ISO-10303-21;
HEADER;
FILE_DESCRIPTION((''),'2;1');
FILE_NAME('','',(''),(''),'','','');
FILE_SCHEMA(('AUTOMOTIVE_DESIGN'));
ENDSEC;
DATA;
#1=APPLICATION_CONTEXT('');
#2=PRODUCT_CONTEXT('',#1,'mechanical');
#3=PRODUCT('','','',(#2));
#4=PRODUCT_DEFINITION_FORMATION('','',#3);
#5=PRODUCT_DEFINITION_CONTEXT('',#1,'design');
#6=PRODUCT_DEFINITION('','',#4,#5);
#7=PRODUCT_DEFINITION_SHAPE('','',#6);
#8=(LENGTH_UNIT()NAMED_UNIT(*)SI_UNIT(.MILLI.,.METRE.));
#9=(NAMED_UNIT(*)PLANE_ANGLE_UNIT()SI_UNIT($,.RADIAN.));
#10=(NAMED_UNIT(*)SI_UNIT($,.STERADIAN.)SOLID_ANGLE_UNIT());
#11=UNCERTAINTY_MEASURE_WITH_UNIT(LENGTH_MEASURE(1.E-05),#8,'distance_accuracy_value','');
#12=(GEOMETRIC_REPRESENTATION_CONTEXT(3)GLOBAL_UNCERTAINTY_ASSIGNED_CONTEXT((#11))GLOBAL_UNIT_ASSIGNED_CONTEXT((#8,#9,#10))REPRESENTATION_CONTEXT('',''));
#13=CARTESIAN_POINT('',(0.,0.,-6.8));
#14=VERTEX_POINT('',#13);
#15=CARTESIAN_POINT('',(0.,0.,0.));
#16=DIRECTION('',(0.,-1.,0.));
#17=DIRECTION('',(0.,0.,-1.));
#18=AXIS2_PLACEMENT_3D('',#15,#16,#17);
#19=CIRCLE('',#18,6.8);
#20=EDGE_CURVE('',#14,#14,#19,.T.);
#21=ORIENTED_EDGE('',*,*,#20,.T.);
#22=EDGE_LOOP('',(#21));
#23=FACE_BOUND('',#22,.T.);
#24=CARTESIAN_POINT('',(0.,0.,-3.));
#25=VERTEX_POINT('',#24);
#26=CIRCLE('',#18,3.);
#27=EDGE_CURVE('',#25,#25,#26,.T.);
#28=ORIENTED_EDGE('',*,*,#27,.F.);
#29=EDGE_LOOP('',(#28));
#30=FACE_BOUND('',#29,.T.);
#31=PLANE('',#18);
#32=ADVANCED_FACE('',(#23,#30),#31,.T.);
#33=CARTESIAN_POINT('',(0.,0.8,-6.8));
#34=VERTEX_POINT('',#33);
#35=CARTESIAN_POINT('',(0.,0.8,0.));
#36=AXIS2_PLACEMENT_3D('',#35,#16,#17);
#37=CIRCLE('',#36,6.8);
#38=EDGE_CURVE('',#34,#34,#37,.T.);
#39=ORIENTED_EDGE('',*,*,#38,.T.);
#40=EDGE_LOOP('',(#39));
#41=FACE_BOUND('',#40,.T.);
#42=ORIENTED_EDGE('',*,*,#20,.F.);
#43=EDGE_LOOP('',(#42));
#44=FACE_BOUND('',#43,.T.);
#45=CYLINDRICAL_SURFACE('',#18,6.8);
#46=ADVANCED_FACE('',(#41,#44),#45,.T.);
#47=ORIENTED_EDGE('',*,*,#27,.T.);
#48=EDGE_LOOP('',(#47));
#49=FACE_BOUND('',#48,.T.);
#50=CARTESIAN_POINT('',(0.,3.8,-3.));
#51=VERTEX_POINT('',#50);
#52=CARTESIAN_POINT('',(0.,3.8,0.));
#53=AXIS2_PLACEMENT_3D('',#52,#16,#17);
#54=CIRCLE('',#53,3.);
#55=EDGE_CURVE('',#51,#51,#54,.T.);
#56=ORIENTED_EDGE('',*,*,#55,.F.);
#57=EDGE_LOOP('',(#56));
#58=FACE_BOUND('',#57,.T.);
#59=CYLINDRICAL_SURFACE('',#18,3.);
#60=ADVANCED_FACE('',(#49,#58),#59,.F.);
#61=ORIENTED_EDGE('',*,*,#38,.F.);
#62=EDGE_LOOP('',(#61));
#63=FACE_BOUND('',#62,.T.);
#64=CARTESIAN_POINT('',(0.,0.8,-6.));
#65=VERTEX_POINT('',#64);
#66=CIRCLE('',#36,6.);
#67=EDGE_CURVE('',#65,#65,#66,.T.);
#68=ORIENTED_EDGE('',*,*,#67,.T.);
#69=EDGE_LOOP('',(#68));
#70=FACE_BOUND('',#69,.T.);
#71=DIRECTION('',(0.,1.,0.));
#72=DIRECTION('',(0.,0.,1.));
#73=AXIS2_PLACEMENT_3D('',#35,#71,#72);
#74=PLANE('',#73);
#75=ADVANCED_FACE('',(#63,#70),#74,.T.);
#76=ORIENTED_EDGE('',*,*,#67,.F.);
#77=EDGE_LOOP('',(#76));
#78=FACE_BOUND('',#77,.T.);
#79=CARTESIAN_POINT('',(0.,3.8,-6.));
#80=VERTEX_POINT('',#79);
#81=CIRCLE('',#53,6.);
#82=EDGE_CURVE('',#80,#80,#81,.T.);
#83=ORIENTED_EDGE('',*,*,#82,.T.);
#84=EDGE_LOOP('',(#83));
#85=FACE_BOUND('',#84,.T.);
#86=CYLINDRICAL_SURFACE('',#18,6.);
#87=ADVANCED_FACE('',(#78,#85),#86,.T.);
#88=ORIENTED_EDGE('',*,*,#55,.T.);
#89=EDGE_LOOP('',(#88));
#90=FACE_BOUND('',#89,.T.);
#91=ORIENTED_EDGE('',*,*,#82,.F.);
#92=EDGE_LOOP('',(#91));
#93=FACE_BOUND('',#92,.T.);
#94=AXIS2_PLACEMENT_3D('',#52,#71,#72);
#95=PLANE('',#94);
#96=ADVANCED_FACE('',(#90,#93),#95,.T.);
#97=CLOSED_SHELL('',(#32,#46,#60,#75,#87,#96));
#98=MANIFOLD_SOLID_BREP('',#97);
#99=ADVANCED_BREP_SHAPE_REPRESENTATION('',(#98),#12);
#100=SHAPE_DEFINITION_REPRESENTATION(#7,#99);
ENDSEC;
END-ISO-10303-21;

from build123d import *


with BuildPart() as part:
    # 草图1 → 旋转1 (revolve)
    with BuildSketch(Plane.XY):
        Polygon((-3, 3.8), (-3, 0), (-6.8, 0), (-6.8, 0.8), (-6, 0.8), (-6, 3.8), align=None)
    revolve(axis=Axis((0, 0, 0), (0, 1, 0)))


solid = part.part
